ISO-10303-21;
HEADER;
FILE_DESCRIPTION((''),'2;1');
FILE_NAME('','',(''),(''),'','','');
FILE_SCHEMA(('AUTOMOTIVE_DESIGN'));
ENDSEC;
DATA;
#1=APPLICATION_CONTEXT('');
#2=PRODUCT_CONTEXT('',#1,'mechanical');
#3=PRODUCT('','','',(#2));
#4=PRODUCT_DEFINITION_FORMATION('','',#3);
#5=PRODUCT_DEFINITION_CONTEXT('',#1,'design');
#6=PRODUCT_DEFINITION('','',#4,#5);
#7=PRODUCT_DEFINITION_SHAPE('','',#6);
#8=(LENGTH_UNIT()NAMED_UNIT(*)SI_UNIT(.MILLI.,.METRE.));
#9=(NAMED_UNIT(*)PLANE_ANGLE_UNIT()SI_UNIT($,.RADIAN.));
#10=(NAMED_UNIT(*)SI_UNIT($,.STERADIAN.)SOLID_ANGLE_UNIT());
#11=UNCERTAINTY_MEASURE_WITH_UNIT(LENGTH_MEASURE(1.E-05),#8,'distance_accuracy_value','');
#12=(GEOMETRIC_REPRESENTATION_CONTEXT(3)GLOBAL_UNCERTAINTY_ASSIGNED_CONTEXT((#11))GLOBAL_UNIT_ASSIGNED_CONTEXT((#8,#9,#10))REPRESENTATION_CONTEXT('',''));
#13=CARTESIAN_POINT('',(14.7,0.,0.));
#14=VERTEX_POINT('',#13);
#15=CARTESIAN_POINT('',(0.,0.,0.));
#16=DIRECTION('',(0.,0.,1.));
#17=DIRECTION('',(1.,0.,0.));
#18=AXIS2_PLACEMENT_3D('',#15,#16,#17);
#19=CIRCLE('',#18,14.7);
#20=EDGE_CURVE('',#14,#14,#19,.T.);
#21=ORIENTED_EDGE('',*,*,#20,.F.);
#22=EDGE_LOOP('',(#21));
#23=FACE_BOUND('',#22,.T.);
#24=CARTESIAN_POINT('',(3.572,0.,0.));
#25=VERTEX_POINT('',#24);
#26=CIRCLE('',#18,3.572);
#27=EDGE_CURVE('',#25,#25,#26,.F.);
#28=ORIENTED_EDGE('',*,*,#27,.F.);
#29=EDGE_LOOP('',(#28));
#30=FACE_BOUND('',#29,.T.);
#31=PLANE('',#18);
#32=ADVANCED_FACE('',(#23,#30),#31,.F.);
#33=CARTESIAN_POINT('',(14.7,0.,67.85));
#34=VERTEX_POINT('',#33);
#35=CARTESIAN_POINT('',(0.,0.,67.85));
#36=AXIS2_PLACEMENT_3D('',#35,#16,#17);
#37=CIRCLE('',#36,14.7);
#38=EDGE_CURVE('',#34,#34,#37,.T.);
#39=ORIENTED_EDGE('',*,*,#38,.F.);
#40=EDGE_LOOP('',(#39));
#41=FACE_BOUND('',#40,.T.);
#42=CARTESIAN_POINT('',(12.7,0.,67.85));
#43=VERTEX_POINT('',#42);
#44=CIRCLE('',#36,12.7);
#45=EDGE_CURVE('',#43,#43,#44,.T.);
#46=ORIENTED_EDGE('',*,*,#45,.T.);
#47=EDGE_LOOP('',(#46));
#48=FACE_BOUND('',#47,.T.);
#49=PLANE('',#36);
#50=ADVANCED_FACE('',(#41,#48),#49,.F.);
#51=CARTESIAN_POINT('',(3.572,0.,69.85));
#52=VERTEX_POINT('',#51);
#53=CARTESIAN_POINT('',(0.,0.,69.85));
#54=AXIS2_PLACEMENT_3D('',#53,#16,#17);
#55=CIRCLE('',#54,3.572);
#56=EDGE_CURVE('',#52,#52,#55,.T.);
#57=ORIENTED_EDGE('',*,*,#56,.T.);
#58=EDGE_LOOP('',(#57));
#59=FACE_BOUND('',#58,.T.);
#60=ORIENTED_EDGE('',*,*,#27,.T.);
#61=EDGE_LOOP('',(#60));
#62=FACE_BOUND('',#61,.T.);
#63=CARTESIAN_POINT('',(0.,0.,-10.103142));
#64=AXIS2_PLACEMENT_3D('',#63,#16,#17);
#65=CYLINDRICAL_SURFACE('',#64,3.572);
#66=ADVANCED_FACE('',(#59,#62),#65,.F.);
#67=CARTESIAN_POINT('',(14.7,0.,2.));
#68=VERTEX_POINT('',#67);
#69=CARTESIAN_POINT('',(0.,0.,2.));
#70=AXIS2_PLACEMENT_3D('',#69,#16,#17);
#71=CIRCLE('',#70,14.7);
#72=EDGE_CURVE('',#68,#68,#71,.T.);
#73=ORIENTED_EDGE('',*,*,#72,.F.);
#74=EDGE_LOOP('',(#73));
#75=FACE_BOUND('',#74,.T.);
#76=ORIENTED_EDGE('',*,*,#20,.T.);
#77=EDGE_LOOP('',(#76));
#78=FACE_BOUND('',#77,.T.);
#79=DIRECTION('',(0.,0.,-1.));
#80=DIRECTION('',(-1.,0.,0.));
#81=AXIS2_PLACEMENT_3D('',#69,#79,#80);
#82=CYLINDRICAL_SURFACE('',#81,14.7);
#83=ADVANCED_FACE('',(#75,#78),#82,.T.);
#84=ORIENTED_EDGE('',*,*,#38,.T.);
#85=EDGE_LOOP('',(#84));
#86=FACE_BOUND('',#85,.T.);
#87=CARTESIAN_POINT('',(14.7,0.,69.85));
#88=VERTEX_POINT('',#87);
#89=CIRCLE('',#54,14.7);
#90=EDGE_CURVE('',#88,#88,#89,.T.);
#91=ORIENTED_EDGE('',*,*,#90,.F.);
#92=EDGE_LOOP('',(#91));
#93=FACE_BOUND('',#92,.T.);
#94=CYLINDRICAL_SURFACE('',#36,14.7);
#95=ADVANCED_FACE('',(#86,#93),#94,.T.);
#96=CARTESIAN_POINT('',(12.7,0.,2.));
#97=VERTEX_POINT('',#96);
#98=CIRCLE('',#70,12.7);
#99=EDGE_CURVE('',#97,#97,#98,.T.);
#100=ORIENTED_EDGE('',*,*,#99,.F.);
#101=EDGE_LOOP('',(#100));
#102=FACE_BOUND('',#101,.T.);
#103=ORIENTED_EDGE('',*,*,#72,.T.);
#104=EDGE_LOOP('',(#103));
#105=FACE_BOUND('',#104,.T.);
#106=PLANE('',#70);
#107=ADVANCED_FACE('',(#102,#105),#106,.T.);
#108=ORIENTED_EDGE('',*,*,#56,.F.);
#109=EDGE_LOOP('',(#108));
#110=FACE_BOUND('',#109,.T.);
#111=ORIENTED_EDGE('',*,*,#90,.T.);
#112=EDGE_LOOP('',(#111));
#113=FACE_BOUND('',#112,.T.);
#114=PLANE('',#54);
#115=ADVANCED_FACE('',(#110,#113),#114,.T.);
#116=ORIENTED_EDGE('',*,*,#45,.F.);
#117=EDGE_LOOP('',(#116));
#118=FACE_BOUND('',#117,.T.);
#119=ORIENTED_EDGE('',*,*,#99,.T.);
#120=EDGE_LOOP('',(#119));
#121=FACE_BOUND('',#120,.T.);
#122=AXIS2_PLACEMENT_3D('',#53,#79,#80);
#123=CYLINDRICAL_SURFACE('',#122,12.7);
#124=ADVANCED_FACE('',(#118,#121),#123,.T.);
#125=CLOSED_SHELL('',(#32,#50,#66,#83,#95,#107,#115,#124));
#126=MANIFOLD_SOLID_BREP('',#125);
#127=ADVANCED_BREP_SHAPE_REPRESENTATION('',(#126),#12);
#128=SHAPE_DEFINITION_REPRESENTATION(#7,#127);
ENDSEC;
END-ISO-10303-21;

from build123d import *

# Parameters (mm, degrees)
SKETCH1_R           = 12.7
BOSS_EXTRUDE1_DEPTH = 69.85
SKETCH2_R           = 3.572
CUT_EXTRUDE3_DEPTH  = 69.85
BOSS_EXTRUDE2_START = 2
SKETCH3_R           = 14.7
SKETCH3_R_2         = 3.572
BOSS_EXTRUDE2_DEPTH = 2
BOSS_EXTRUDE3_START = 69.85
SKETCH3_2_R         = 14.7
SKETCH3_2_R_2       = 3.572
BOSS_EXTRUDE3_DEPTH = 2


with BuildPart() as part:
    # Sketch1 → Boss-Extrude1 (new body)
    with BuildSketch(Plane.XY):
        Circle(SKETCH1_R)
    extrude(amount=BOSS_EXTRUDE1_DEPTH)

    # Sketch2 → Cut-Extrude3 (cut)
    with BuildSketch(Plane.XY.offset(69.85)):
        Circle(SKETCH2_R)
    extrude(amount=-CUT_EXTRUDE3_DEPTH, mode=Mode.SUBTRACT)

    # Sketch3 → Boss-Extrude2 (add)
    with BuildSketch(Plane.XY.offset(BOSS_EXTRUDE2_START)):
        Circle(SKETCH3_R)
        Circle(SKETCH3_R_2, mode=Mode.SUBTRACT)
    extrude(amount=-BOSS_EXTRUDE2_DEPTH)

    # Sketch3<2> → Boss-Extrude3 (add)
    with BuildSketch(Plane.XY.offset(BOSS_EXTRUDE3_START)):
        Circle(SKETCH3_2_R)
        Circle(SKETCH3_2_R_2, mode=Mode.SUBTRACT)
    extrude(amount=-BOSS_EXTRUDE3_DEPTH)


solid = part.part
